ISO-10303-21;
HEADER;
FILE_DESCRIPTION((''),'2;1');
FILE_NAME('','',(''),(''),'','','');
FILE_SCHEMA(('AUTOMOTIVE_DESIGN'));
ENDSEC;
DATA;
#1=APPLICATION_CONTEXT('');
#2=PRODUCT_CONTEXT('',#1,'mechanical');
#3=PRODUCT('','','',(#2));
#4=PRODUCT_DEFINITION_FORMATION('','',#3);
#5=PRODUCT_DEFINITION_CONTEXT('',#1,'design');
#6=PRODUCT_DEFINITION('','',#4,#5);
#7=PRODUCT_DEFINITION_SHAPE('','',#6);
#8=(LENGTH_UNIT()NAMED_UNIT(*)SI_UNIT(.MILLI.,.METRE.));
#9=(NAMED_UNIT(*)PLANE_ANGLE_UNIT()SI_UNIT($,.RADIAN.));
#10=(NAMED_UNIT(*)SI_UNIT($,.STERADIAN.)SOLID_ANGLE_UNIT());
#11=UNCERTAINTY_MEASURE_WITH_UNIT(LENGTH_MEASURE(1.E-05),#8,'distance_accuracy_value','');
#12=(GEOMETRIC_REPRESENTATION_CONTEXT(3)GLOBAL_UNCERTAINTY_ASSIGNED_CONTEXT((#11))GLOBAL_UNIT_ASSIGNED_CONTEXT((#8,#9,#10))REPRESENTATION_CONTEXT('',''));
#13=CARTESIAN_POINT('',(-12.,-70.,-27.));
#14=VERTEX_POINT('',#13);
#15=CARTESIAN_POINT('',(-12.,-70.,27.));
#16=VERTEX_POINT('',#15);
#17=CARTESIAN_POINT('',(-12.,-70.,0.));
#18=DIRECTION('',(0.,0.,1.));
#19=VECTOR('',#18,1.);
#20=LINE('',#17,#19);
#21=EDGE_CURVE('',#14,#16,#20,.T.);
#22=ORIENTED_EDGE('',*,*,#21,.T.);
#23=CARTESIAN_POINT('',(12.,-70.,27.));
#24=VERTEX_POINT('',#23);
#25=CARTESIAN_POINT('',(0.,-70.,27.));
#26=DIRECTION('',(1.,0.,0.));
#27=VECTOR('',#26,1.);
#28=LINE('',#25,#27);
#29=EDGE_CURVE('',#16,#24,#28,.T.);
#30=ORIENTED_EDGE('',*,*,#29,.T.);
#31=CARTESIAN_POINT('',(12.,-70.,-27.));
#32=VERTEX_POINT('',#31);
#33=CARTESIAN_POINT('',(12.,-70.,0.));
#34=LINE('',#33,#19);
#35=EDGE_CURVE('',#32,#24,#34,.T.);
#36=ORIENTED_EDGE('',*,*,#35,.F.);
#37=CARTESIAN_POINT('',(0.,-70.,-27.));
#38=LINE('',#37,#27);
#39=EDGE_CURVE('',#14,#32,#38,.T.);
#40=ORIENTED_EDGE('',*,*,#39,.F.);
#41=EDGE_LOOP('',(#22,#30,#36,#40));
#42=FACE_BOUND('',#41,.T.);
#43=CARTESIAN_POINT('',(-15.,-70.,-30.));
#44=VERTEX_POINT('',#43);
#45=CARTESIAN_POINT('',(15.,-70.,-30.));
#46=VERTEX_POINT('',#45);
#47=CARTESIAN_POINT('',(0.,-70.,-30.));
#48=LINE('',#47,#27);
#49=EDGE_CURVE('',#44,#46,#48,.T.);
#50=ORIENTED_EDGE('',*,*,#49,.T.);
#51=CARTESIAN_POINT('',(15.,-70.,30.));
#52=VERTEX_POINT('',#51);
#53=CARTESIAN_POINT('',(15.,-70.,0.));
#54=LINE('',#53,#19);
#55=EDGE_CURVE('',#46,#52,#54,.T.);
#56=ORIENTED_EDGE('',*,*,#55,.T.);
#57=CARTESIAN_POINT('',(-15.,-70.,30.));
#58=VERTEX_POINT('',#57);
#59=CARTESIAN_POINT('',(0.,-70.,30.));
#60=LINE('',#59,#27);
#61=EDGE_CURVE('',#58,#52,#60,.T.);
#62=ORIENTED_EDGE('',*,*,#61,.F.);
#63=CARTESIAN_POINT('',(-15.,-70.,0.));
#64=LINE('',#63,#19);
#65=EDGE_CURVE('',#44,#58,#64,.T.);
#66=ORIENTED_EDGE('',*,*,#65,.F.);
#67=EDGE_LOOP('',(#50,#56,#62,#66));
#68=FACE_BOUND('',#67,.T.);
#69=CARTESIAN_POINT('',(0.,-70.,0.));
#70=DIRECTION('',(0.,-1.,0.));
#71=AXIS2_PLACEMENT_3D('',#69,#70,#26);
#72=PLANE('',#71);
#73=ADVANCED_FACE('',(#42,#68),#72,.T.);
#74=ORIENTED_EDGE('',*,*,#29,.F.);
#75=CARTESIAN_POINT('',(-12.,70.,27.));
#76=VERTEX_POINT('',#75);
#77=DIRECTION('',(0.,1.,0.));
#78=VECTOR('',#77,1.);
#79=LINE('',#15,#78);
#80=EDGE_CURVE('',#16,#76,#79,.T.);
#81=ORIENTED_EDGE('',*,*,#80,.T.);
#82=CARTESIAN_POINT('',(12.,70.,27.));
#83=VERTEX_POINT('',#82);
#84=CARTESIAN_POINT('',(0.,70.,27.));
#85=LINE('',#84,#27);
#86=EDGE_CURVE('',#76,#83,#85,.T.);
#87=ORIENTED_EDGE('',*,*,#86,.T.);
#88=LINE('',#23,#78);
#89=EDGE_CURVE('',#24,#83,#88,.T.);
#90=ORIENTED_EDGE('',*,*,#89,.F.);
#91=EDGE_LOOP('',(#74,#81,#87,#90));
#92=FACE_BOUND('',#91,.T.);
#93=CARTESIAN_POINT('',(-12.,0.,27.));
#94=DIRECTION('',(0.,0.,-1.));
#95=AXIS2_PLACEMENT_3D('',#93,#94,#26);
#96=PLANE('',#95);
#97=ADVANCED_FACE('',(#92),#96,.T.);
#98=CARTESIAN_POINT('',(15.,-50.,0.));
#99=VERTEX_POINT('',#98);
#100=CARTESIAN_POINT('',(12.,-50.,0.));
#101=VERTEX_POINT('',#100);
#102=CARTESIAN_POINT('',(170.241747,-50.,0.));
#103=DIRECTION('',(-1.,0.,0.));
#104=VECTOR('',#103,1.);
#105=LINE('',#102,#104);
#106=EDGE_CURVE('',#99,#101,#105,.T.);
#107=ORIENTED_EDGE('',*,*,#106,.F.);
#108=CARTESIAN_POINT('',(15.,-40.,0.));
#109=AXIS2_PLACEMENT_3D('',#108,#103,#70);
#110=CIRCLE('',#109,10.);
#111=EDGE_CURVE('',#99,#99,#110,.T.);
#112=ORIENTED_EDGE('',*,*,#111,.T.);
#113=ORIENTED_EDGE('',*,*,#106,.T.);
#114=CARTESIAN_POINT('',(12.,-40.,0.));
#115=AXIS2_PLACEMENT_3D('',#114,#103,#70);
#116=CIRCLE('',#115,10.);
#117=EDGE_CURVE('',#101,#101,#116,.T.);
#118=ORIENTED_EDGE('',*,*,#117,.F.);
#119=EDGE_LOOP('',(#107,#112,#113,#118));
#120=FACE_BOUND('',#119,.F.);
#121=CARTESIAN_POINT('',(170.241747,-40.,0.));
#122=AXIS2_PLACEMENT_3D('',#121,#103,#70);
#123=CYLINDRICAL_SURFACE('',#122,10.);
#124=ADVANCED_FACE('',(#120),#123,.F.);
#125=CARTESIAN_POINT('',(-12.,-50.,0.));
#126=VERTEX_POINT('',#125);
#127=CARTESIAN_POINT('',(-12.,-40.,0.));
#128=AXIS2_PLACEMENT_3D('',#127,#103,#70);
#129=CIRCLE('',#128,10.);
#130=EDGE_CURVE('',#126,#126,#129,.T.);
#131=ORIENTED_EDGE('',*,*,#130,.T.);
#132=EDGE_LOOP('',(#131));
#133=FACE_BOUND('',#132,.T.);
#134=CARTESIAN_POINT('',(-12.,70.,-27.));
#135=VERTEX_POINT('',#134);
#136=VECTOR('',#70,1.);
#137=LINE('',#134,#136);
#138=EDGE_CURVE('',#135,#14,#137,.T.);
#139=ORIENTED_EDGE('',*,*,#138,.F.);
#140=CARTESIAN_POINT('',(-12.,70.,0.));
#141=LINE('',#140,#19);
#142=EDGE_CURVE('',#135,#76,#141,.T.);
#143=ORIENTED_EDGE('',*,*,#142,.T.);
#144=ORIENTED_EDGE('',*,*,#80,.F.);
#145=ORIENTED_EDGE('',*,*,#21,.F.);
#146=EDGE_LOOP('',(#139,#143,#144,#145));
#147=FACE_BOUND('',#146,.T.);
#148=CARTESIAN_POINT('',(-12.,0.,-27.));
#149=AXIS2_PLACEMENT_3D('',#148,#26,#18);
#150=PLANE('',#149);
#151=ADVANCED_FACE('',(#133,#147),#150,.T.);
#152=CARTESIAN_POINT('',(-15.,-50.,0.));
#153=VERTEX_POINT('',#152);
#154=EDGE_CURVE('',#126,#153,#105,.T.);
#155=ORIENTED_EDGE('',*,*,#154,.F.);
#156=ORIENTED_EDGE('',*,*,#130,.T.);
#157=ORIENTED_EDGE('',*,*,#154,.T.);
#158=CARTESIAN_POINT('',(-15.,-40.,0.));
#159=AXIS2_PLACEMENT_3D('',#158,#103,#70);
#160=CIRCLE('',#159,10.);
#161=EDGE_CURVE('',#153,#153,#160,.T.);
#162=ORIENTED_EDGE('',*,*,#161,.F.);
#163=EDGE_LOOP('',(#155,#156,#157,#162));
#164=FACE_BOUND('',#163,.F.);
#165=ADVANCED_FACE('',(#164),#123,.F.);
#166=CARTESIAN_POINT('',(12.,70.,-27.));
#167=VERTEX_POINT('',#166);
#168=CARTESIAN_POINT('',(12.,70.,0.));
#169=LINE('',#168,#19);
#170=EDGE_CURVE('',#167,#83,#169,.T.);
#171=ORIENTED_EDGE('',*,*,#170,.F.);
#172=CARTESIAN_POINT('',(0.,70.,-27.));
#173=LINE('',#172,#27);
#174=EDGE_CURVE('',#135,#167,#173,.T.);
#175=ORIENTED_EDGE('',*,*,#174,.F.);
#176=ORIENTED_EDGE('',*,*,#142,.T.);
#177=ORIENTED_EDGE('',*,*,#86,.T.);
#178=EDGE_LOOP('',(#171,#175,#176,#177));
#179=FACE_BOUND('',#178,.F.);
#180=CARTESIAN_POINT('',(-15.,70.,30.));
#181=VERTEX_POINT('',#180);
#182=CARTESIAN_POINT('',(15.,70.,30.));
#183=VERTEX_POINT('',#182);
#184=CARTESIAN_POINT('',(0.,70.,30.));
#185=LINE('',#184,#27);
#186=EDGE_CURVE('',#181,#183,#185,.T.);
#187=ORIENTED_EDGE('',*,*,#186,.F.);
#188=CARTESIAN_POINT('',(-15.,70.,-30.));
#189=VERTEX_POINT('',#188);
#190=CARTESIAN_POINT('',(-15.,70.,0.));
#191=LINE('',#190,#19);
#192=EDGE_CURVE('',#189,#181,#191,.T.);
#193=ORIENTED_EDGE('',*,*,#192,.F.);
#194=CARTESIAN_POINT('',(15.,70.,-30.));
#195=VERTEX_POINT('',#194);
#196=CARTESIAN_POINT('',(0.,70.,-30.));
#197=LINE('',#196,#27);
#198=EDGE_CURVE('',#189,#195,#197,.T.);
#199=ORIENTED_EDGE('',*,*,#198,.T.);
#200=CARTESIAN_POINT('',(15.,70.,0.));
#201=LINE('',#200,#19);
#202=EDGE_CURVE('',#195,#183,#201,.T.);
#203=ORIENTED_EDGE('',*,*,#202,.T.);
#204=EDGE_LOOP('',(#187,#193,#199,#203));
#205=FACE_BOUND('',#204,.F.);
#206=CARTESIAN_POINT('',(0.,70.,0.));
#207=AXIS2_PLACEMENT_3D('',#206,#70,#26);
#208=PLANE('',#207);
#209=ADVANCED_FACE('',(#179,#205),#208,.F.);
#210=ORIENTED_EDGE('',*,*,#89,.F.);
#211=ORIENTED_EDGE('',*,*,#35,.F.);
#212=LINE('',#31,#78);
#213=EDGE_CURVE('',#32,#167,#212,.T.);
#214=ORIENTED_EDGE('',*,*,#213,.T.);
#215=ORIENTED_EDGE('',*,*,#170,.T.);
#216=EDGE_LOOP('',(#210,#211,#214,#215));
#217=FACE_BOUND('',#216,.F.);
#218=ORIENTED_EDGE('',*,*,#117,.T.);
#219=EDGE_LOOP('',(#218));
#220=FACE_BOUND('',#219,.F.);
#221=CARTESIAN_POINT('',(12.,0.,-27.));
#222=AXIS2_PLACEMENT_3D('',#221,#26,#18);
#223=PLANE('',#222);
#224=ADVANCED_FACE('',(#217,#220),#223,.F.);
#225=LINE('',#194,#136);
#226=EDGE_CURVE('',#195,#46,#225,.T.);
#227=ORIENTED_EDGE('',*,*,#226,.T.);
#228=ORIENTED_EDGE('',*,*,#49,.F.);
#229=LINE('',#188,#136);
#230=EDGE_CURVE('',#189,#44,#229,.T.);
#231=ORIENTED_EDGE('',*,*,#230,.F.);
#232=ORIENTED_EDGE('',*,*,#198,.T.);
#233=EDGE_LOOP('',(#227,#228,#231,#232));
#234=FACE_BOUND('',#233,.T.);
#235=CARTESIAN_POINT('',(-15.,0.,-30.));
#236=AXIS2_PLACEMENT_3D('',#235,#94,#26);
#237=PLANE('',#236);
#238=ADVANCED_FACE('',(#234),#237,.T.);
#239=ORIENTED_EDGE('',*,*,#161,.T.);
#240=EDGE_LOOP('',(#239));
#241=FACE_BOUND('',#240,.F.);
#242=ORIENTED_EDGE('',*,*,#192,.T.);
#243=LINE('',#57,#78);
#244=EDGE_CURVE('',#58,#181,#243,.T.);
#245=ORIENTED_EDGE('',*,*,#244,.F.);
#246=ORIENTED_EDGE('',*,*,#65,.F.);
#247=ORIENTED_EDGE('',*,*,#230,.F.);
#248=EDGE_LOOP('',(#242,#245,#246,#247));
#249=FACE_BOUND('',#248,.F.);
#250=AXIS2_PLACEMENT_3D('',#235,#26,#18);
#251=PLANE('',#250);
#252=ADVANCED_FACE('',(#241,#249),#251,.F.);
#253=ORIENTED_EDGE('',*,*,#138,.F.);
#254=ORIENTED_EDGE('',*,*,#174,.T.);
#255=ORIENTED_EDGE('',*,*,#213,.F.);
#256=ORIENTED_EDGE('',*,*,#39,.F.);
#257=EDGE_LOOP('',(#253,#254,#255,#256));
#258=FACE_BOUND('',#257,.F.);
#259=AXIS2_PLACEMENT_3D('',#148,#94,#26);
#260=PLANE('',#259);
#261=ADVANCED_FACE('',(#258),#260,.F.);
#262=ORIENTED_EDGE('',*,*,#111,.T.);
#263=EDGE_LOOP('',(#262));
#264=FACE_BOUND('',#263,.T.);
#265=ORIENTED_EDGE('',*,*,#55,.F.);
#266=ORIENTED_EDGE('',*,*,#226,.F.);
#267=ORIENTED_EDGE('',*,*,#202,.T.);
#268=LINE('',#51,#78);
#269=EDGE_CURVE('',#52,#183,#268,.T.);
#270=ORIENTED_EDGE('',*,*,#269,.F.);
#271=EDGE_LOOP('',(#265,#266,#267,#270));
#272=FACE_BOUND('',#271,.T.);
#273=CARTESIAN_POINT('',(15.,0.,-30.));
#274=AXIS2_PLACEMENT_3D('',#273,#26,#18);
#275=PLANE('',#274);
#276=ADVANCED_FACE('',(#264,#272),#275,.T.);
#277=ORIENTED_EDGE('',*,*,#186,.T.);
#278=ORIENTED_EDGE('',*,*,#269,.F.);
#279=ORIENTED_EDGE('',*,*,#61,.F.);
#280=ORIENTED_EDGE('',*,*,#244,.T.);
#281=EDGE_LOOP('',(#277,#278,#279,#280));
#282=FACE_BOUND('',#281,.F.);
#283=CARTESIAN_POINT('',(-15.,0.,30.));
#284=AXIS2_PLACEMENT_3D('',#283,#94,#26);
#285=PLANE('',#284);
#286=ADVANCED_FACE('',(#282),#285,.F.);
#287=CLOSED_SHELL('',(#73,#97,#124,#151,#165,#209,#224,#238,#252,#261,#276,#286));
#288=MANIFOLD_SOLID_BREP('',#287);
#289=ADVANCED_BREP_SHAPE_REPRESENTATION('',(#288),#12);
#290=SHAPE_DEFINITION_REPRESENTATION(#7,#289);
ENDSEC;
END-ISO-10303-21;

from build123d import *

# Parameters (mm, degrees)
F0_W     = 30
F0_H     = 60
F0_W_2   = 24
F0_H_2   = 54
F1_DEPTH = 70
F3_D     = 20


with BuildPart() as f1:
    # F0 (on Front) → F1 (new body, symmetric)
    with BuildSketch(Plane.XZ):
        Rectangle(F0_W, F0_H)
        Rectangle(F0_W_2, F0_H_2, mode=Mode.SUBTRACT)
    extrude(amount=F1_DEPTH, both=True)

    # F3 (through all)
    with Locations(Plane.YZ.offset(15)):
        with Locations((-40, 0)):
            Hole(F3_D / 2)


solid = f1.part
